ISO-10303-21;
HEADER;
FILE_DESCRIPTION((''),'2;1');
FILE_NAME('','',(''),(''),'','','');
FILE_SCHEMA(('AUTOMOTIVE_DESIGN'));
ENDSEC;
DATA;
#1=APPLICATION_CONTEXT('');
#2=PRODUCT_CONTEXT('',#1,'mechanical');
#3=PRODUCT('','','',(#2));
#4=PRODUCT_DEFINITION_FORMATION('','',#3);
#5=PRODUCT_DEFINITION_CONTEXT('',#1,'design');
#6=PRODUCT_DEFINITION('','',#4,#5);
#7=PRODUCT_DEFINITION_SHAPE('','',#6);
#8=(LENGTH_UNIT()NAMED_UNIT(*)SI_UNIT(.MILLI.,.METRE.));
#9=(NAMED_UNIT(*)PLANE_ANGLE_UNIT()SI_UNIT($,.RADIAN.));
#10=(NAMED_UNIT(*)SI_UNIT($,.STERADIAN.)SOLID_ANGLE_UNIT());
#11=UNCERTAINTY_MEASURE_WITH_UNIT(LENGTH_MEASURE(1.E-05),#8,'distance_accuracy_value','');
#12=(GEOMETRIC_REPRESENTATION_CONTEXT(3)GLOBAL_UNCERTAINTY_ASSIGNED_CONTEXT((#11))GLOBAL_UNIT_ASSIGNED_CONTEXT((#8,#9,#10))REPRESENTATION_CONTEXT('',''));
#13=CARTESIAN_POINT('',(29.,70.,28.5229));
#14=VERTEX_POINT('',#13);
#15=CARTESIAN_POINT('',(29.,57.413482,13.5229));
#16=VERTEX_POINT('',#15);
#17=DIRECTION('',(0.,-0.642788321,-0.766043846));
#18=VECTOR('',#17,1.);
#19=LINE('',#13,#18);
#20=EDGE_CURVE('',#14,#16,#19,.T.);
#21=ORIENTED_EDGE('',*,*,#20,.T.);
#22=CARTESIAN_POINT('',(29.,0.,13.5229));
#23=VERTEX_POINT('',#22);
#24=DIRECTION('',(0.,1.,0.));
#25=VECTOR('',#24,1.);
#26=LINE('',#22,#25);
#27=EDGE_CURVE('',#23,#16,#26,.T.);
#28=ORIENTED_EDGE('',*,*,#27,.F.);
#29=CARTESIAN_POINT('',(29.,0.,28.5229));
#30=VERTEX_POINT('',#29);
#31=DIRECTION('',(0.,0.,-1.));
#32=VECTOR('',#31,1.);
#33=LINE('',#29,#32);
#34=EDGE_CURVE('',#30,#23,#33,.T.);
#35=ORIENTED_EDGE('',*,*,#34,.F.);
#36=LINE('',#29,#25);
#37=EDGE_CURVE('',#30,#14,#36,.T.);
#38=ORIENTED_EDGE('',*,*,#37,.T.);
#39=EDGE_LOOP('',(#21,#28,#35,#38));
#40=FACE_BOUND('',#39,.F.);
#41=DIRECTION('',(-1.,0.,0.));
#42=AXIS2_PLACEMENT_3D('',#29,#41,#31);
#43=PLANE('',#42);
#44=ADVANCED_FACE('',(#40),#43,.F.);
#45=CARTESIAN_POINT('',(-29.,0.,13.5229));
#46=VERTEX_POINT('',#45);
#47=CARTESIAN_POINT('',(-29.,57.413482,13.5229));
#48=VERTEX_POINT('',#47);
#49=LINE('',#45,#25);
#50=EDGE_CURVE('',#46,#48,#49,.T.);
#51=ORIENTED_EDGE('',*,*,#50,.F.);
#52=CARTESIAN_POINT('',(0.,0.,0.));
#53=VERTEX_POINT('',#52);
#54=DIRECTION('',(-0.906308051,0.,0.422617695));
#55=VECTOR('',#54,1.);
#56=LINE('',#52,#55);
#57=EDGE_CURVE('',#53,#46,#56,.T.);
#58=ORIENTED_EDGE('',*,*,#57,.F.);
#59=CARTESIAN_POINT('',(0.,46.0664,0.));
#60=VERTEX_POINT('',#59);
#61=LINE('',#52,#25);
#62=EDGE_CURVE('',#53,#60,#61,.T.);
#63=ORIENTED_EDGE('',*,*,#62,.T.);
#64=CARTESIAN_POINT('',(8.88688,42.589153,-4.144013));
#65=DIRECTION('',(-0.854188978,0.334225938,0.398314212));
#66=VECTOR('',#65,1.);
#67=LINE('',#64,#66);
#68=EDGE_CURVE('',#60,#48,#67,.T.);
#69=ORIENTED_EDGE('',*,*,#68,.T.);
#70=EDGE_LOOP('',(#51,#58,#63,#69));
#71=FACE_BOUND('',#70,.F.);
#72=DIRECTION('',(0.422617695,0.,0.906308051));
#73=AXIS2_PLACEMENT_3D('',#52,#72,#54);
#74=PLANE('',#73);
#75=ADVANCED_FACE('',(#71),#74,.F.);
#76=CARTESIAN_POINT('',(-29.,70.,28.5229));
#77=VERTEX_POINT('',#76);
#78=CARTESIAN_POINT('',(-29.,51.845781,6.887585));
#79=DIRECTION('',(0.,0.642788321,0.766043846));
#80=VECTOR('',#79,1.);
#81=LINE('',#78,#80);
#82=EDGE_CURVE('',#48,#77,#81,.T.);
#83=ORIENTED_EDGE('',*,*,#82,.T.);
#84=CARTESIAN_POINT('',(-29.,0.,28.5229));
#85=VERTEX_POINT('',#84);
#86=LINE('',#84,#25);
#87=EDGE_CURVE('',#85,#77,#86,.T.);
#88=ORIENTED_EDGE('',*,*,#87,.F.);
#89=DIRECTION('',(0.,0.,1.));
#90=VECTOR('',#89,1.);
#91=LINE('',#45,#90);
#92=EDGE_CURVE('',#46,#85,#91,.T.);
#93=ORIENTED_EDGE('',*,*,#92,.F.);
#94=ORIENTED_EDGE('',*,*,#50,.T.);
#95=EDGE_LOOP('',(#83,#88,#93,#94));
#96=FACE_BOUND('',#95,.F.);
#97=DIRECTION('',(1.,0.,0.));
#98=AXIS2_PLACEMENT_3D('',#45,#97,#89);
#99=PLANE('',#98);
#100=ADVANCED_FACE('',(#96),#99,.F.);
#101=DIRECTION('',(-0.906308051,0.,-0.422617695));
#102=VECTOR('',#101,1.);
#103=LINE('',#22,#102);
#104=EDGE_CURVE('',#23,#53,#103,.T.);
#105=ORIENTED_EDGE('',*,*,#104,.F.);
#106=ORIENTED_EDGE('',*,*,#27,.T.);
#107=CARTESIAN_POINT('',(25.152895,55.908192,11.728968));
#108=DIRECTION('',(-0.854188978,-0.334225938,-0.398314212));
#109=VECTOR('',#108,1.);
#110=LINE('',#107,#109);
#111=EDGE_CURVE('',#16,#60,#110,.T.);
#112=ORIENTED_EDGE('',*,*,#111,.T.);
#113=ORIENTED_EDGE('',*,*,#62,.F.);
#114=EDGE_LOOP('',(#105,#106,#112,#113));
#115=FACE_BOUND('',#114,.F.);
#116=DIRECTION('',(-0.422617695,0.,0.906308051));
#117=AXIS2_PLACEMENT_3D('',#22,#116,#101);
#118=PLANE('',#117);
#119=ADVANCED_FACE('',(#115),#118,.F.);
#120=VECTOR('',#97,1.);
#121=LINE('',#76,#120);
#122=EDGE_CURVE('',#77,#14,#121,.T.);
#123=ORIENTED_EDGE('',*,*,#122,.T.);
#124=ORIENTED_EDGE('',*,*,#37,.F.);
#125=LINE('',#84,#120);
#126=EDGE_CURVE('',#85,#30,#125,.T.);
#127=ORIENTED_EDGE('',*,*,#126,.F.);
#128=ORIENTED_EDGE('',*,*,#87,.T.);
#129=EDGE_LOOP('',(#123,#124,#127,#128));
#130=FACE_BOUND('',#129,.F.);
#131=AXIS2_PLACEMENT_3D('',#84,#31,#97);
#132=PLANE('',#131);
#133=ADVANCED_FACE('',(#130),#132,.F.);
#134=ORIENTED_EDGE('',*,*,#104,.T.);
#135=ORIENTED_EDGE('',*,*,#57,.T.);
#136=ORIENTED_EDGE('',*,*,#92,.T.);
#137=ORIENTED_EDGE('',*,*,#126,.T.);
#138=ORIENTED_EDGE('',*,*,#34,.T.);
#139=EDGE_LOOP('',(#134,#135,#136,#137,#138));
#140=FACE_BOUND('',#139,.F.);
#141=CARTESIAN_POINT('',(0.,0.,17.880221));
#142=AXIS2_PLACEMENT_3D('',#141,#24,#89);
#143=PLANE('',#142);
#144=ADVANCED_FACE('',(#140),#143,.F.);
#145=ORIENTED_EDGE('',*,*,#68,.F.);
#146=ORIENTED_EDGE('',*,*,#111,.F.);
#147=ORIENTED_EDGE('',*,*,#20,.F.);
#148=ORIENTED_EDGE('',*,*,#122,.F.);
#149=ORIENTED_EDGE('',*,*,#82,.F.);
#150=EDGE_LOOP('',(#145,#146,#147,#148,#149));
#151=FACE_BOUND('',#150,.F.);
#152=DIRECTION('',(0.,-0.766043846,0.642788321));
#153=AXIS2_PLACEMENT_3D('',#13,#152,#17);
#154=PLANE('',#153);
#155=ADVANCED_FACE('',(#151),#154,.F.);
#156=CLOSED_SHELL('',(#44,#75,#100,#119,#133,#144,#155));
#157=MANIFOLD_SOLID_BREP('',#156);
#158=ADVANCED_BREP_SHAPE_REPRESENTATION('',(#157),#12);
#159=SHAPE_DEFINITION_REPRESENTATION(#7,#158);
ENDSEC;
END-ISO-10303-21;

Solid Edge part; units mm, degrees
sketch "Sketch1" plane through (0, 0, 0) normal (0, -1, 0) x (1, 0, 0)
  line L0 (29, 28.5229) -> (29, 13.5229)
  line L1 (29, 13.5229) -> (0, 0)
  line L2 (0, 0) -> (-29, 13.5229)
  line L3 (-29, 13.5229) -> (-29, 28.5229)
  line L4 (-29, 28.5229) -> (29, 28.5229)
extrude "Protrusion1" add sketch "Sketch1" against normal blind 70
sketch "Sketch2" plane through (29, 35, 21.0229) normal (1, 0, 0) x (0, 1, 0)
  line L0 (35, 7.5) -> (11.0664, -21.0229)
  line L1 (11.0664, -21.0229) -> (35, -21.0229)
  line L2 (35, -21.0229) -> (35, 7.5)
extrude "Cutout1" cut sketch "Sketch2" against normal up to next
properties material "ABS 20% Infill"
